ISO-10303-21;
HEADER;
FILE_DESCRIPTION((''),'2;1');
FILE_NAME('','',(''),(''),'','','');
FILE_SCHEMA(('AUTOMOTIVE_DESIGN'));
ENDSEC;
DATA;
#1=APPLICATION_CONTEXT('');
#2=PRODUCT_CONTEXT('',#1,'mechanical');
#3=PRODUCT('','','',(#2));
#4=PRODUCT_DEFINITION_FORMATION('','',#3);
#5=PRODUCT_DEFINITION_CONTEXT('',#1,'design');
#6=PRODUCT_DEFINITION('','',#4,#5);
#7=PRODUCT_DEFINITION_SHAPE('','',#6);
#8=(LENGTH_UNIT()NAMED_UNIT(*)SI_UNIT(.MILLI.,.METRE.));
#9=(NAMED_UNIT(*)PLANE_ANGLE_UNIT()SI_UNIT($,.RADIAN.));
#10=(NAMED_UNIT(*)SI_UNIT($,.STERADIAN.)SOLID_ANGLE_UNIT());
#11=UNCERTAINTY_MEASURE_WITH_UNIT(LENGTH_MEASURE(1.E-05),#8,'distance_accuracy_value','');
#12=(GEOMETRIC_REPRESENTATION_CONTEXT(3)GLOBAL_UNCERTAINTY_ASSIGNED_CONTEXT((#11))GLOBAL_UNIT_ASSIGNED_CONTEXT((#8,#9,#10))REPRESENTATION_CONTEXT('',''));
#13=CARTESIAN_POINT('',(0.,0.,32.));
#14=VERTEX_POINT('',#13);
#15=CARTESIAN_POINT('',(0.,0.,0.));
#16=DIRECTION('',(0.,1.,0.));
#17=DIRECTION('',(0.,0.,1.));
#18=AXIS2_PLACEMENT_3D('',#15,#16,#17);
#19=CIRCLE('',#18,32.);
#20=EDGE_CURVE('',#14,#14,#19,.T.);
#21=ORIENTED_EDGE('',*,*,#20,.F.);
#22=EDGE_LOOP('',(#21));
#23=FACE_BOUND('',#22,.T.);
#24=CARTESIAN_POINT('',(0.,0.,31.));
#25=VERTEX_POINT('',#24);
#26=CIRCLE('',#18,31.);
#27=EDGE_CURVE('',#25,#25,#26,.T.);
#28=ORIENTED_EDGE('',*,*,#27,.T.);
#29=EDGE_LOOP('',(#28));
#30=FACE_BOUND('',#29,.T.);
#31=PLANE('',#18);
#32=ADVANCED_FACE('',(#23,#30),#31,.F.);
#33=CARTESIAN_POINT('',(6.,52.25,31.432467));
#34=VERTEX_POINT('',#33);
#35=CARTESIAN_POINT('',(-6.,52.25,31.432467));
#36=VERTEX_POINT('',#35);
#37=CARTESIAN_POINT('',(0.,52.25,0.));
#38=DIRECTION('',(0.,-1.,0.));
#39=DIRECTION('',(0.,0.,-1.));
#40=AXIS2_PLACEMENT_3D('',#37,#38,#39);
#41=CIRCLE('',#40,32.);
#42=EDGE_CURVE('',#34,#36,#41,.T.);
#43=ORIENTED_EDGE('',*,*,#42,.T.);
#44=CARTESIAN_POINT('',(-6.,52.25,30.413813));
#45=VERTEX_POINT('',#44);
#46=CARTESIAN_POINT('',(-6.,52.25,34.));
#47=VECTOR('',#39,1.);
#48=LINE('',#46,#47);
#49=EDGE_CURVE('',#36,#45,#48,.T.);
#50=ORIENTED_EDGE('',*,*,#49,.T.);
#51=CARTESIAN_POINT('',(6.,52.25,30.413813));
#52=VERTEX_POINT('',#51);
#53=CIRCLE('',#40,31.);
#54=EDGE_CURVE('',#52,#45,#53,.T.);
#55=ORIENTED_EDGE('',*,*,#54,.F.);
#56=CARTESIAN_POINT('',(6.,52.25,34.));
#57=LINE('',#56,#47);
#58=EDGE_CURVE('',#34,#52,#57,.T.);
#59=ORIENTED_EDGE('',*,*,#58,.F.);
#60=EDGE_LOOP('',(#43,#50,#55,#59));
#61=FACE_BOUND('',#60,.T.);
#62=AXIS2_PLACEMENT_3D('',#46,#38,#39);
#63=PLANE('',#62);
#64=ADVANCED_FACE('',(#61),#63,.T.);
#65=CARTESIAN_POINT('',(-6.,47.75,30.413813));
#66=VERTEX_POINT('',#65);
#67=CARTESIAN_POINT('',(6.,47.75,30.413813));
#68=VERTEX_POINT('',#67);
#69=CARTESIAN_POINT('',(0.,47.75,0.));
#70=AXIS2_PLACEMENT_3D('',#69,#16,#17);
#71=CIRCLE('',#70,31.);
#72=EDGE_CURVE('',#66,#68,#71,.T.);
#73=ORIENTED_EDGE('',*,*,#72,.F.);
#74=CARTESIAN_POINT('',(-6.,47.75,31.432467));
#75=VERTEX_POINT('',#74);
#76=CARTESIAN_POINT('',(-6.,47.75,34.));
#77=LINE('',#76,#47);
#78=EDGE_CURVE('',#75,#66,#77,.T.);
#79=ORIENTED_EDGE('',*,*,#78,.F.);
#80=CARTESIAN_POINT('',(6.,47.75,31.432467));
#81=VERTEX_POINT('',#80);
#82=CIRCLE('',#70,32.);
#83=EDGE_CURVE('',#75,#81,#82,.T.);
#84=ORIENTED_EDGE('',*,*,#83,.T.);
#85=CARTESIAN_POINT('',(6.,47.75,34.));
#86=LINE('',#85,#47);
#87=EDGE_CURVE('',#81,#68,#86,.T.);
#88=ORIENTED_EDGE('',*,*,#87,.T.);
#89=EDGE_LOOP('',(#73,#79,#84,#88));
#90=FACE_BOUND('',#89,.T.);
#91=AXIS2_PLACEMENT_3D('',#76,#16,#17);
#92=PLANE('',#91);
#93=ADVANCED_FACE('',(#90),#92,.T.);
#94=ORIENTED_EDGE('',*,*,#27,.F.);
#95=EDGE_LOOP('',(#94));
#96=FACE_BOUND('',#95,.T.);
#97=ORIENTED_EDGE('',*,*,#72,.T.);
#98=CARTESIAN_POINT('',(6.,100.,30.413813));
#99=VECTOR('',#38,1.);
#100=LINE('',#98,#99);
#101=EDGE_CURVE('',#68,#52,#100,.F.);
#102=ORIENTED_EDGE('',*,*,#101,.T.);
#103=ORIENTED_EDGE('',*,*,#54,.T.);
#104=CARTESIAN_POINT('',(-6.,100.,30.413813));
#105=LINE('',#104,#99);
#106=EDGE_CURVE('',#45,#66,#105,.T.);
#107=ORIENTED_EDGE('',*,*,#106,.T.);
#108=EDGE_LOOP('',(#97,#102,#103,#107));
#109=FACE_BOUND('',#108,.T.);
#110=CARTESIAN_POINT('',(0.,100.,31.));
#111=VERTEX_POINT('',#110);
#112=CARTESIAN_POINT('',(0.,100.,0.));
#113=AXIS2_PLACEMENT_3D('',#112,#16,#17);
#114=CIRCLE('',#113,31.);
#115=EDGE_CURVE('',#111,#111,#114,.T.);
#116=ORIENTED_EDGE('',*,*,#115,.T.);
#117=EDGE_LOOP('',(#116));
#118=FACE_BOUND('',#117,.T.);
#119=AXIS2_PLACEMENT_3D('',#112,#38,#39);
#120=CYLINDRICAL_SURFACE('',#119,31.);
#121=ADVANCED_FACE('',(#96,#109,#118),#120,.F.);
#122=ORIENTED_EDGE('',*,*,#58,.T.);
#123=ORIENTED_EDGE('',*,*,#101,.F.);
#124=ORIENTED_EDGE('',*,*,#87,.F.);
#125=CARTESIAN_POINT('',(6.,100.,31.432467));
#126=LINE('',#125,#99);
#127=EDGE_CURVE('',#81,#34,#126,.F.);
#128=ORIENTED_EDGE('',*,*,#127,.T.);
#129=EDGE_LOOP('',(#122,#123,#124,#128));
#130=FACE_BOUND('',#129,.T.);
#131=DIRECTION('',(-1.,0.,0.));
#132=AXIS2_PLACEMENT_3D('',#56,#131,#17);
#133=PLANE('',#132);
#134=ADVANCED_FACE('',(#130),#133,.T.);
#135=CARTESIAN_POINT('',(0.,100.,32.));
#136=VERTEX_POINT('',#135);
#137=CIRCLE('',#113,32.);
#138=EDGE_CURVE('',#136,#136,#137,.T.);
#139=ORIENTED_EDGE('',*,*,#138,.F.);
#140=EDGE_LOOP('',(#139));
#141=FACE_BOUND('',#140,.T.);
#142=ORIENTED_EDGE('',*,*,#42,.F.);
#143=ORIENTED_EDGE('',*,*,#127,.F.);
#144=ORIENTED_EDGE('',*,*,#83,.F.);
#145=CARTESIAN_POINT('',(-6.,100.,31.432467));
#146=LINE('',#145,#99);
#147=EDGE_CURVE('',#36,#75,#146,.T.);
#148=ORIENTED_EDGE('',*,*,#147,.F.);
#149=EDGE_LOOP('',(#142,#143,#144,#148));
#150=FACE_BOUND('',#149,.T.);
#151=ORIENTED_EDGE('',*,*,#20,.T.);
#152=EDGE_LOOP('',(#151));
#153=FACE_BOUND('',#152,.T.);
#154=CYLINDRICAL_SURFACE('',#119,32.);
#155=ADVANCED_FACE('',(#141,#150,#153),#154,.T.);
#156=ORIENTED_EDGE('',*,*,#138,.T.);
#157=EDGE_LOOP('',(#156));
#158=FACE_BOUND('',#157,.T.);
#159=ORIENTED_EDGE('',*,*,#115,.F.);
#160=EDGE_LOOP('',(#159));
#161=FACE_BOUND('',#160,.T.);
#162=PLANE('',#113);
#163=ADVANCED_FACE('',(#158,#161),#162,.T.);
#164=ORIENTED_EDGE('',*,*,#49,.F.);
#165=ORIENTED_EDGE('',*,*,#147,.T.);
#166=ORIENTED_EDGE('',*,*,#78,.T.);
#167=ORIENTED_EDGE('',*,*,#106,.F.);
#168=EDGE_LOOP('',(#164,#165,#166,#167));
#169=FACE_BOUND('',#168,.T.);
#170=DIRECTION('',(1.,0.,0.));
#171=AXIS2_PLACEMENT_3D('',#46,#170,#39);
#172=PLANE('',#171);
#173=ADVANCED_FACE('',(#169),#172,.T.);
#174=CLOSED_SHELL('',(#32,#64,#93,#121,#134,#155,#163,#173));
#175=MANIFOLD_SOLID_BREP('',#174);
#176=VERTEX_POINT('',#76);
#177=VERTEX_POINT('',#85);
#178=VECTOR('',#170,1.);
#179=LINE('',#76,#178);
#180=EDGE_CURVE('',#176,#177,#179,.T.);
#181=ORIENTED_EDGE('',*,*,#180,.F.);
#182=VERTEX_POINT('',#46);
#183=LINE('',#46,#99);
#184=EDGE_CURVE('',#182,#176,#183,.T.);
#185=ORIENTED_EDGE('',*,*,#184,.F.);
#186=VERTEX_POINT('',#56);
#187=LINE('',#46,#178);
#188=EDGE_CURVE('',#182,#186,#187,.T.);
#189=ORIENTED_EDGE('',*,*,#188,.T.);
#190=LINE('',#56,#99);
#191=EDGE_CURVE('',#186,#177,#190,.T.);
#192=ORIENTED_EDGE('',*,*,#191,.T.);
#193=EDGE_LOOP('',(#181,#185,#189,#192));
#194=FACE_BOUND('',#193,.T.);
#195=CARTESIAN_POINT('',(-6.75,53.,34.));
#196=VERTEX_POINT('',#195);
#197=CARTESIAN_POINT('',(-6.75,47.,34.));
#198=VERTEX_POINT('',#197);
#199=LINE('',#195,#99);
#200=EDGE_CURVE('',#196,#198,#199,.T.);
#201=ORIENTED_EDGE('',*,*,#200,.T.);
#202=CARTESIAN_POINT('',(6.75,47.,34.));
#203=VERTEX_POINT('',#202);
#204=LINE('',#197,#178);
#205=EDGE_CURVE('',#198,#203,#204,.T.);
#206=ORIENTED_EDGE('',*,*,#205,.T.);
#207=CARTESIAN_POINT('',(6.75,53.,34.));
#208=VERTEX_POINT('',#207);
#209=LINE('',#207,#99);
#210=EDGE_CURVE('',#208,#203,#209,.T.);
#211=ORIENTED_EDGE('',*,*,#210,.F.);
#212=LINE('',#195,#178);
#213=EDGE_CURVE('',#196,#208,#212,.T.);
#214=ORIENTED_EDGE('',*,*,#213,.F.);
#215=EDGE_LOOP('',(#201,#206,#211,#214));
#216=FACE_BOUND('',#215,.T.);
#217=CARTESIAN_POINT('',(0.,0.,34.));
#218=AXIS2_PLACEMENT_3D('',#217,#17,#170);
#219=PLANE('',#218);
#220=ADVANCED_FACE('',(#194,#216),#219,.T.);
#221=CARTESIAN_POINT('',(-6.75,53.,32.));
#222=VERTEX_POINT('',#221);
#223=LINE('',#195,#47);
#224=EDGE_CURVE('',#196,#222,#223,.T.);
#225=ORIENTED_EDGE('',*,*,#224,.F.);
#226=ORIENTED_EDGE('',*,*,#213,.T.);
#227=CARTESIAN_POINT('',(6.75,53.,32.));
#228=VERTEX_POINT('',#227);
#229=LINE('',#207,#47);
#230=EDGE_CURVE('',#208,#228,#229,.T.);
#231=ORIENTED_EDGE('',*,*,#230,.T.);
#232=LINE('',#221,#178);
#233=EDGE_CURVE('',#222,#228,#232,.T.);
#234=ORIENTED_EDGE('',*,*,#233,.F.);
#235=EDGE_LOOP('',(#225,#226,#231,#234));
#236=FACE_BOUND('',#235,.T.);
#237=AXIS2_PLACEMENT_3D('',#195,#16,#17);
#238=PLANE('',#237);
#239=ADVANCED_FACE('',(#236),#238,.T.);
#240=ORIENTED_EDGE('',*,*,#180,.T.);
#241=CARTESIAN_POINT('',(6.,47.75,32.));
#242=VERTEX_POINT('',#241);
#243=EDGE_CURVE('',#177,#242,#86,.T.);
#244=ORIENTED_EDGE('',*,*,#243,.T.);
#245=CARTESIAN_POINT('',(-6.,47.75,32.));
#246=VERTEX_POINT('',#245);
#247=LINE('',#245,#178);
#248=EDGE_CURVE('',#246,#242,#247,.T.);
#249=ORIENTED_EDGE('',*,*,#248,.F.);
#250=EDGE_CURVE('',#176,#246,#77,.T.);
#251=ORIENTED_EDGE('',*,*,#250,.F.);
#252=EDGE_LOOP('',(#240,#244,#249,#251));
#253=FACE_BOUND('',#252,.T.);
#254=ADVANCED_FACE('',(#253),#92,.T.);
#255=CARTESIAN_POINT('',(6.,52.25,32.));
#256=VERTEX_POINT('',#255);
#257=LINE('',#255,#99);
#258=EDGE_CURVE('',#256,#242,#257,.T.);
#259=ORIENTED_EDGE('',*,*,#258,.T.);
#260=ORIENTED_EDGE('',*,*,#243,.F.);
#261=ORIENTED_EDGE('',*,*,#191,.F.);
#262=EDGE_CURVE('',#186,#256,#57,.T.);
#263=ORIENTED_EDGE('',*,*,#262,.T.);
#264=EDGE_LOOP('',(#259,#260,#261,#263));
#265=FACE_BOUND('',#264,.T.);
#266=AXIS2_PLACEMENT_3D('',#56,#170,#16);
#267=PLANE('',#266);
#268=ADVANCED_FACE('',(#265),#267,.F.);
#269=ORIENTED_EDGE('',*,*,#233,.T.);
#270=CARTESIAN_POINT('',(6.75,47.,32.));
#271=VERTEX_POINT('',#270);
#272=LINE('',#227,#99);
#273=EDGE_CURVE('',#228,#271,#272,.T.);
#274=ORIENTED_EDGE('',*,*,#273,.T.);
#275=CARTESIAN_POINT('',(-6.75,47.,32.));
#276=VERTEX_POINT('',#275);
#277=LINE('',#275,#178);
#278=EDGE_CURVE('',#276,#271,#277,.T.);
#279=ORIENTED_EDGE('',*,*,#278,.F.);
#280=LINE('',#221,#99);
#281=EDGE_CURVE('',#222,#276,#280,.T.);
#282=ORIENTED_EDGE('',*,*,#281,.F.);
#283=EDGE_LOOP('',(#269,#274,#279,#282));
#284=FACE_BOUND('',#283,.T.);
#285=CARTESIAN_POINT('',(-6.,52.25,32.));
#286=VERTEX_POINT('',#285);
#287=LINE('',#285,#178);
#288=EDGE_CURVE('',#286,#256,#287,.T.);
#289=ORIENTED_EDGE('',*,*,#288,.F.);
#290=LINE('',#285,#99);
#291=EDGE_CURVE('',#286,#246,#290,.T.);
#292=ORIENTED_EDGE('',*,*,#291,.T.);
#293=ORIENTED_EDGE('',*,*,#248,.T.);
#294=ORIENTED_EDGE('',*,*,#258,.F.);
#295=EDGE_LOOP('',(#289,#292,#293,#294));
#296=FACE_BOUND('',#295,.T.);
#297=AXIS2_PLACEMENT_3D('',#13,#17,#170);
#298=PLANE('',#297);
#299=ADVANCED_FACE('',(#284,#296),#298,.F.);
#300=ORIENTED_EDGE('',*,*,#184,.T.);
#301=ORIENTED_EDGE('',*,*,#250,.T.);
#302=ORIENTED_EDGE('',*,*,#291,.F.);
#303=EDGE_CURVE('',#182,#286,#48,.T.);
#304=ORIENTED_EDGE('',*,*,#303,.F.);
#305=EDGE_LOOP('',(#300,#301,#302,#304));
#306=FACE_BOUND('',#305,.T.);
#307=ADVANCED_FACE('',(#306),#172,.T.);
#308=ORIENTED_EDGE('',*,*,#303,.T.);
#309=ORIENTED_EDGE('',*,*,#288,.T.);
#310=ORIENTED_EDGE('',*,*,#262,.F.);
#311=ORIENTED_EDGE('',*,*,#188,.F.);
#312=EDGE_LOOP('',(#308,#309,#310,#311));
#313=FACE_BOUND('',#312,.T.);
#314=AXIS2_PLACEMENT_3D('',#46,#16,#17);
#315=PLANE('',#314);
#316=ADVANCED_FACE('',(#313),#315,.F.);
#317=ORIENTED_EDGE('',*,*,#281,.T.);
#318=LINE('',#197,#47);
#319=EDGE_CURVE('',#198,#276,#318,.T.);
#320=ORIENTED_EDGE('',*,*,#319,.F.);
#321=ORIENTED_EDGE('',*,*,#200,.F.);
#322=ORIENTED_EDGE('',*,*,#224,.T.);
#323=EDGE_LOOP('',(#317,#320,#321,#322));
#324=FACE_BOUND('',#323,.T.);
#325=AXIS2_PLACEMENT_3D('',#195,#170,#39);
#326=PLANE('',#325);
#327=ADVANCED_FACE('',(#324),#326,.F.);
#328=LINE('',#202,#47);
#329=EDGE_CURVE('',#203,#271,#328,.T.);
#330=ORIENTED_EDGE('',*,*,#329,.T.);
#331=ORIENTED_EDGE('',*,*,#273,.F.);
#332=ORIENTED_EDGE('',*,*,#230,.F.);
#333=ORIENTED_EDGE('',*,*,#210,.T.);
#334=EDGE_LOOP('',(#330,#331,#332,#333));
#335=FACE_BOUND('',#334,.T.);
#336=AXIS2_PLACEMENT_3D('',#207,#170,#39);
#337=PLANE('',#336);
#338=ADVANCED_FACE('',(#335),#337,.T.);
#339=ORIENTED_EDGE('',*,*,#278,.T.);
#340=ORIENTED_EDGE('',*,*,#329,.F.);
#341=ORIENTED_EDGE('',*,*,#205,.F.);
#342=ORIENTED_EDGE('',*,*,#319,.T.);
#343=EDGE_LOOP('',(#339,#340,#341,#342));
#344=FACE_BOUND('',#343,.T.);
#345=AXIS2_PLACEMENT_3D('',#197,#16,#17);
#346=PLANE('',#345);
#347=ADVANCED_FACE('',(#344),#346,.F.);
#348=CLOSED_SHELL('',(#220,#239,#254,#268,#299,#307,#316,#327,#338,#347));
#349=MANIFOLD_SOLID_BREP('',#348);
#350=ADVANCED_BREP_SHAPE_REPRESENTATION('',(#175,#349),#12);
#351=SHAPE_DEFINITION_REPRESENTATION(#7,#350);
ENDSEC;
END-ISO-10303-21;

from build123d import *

# Parameters (mm, degrees)
SKETCH1_R               = 32
SKETCH1_R_2             = 31
BOSS_EXTRUDE1_DEPTH     = 100
SKETCH2_W               = 13.5
SKETCH2_H               = 6
SKETCH2_W_2             = 12
SKETCH2_H_2             = 4.5
BOSS_EXTRUDE2_DEPTH     = 2
SKETCH4_W               = 12
SKETCH4_H               = 4.5
CUT_EXTRUDE1_DEPTH      = 3
CUT_EXTRUDE1_DEPTH_BACK = 15


with BuildPart() as part:
    # Sketch1 → Boss-Extrude1 (new body)
    with BuildSketch(Plane(origin=(0, 0, 0), x_dir=(1, 0, 0), z_dir=(0, 1, 0))):
        Circle(SKETCH1_R)
        Circle(SKETCH1_R_2, mode=Mode.SUBTRACT)
    extrude(amount=BOSS_EXTRUDE1_DEPTH)

    # Sketch4 → Cut-Extrude1 (cut, two sides)
    with BuildSketch(Plane.XY.offset(32)) as cut_extrude1_sk:
        with Locations((0, 50)):
            Rectangle(SKETCH4_W, SKETCH4_H)
    extrude(amount=CUT_EXTRUDE1_DEPTH, mode=Mode.SUBTRACT)
    extrude(cut_extrude1_sk.sketch, amount=-CUT_EXTRUDE1_DEPTH_BACK, mode=Mode.SUBTRACT)


with BuildPart() as body_2:
    # Sketch2 → Boss-Extrude2 (new body)
    with BuildSketch(Plane.XY.offset(32)):
        with Locations((0, 50)):
            Rectangle(SKETCH2_W, SKETCH2_H)
        with Locations((0, 50)):
            Rectangle(SKETCH2_W_2, SKETCH2_H_2, mode=Mode.SUBTRACT)
    extrude(amount=BOSS_EXTRUDE2_DEPTH)


solid = Compound([part.part, body_2.part])
